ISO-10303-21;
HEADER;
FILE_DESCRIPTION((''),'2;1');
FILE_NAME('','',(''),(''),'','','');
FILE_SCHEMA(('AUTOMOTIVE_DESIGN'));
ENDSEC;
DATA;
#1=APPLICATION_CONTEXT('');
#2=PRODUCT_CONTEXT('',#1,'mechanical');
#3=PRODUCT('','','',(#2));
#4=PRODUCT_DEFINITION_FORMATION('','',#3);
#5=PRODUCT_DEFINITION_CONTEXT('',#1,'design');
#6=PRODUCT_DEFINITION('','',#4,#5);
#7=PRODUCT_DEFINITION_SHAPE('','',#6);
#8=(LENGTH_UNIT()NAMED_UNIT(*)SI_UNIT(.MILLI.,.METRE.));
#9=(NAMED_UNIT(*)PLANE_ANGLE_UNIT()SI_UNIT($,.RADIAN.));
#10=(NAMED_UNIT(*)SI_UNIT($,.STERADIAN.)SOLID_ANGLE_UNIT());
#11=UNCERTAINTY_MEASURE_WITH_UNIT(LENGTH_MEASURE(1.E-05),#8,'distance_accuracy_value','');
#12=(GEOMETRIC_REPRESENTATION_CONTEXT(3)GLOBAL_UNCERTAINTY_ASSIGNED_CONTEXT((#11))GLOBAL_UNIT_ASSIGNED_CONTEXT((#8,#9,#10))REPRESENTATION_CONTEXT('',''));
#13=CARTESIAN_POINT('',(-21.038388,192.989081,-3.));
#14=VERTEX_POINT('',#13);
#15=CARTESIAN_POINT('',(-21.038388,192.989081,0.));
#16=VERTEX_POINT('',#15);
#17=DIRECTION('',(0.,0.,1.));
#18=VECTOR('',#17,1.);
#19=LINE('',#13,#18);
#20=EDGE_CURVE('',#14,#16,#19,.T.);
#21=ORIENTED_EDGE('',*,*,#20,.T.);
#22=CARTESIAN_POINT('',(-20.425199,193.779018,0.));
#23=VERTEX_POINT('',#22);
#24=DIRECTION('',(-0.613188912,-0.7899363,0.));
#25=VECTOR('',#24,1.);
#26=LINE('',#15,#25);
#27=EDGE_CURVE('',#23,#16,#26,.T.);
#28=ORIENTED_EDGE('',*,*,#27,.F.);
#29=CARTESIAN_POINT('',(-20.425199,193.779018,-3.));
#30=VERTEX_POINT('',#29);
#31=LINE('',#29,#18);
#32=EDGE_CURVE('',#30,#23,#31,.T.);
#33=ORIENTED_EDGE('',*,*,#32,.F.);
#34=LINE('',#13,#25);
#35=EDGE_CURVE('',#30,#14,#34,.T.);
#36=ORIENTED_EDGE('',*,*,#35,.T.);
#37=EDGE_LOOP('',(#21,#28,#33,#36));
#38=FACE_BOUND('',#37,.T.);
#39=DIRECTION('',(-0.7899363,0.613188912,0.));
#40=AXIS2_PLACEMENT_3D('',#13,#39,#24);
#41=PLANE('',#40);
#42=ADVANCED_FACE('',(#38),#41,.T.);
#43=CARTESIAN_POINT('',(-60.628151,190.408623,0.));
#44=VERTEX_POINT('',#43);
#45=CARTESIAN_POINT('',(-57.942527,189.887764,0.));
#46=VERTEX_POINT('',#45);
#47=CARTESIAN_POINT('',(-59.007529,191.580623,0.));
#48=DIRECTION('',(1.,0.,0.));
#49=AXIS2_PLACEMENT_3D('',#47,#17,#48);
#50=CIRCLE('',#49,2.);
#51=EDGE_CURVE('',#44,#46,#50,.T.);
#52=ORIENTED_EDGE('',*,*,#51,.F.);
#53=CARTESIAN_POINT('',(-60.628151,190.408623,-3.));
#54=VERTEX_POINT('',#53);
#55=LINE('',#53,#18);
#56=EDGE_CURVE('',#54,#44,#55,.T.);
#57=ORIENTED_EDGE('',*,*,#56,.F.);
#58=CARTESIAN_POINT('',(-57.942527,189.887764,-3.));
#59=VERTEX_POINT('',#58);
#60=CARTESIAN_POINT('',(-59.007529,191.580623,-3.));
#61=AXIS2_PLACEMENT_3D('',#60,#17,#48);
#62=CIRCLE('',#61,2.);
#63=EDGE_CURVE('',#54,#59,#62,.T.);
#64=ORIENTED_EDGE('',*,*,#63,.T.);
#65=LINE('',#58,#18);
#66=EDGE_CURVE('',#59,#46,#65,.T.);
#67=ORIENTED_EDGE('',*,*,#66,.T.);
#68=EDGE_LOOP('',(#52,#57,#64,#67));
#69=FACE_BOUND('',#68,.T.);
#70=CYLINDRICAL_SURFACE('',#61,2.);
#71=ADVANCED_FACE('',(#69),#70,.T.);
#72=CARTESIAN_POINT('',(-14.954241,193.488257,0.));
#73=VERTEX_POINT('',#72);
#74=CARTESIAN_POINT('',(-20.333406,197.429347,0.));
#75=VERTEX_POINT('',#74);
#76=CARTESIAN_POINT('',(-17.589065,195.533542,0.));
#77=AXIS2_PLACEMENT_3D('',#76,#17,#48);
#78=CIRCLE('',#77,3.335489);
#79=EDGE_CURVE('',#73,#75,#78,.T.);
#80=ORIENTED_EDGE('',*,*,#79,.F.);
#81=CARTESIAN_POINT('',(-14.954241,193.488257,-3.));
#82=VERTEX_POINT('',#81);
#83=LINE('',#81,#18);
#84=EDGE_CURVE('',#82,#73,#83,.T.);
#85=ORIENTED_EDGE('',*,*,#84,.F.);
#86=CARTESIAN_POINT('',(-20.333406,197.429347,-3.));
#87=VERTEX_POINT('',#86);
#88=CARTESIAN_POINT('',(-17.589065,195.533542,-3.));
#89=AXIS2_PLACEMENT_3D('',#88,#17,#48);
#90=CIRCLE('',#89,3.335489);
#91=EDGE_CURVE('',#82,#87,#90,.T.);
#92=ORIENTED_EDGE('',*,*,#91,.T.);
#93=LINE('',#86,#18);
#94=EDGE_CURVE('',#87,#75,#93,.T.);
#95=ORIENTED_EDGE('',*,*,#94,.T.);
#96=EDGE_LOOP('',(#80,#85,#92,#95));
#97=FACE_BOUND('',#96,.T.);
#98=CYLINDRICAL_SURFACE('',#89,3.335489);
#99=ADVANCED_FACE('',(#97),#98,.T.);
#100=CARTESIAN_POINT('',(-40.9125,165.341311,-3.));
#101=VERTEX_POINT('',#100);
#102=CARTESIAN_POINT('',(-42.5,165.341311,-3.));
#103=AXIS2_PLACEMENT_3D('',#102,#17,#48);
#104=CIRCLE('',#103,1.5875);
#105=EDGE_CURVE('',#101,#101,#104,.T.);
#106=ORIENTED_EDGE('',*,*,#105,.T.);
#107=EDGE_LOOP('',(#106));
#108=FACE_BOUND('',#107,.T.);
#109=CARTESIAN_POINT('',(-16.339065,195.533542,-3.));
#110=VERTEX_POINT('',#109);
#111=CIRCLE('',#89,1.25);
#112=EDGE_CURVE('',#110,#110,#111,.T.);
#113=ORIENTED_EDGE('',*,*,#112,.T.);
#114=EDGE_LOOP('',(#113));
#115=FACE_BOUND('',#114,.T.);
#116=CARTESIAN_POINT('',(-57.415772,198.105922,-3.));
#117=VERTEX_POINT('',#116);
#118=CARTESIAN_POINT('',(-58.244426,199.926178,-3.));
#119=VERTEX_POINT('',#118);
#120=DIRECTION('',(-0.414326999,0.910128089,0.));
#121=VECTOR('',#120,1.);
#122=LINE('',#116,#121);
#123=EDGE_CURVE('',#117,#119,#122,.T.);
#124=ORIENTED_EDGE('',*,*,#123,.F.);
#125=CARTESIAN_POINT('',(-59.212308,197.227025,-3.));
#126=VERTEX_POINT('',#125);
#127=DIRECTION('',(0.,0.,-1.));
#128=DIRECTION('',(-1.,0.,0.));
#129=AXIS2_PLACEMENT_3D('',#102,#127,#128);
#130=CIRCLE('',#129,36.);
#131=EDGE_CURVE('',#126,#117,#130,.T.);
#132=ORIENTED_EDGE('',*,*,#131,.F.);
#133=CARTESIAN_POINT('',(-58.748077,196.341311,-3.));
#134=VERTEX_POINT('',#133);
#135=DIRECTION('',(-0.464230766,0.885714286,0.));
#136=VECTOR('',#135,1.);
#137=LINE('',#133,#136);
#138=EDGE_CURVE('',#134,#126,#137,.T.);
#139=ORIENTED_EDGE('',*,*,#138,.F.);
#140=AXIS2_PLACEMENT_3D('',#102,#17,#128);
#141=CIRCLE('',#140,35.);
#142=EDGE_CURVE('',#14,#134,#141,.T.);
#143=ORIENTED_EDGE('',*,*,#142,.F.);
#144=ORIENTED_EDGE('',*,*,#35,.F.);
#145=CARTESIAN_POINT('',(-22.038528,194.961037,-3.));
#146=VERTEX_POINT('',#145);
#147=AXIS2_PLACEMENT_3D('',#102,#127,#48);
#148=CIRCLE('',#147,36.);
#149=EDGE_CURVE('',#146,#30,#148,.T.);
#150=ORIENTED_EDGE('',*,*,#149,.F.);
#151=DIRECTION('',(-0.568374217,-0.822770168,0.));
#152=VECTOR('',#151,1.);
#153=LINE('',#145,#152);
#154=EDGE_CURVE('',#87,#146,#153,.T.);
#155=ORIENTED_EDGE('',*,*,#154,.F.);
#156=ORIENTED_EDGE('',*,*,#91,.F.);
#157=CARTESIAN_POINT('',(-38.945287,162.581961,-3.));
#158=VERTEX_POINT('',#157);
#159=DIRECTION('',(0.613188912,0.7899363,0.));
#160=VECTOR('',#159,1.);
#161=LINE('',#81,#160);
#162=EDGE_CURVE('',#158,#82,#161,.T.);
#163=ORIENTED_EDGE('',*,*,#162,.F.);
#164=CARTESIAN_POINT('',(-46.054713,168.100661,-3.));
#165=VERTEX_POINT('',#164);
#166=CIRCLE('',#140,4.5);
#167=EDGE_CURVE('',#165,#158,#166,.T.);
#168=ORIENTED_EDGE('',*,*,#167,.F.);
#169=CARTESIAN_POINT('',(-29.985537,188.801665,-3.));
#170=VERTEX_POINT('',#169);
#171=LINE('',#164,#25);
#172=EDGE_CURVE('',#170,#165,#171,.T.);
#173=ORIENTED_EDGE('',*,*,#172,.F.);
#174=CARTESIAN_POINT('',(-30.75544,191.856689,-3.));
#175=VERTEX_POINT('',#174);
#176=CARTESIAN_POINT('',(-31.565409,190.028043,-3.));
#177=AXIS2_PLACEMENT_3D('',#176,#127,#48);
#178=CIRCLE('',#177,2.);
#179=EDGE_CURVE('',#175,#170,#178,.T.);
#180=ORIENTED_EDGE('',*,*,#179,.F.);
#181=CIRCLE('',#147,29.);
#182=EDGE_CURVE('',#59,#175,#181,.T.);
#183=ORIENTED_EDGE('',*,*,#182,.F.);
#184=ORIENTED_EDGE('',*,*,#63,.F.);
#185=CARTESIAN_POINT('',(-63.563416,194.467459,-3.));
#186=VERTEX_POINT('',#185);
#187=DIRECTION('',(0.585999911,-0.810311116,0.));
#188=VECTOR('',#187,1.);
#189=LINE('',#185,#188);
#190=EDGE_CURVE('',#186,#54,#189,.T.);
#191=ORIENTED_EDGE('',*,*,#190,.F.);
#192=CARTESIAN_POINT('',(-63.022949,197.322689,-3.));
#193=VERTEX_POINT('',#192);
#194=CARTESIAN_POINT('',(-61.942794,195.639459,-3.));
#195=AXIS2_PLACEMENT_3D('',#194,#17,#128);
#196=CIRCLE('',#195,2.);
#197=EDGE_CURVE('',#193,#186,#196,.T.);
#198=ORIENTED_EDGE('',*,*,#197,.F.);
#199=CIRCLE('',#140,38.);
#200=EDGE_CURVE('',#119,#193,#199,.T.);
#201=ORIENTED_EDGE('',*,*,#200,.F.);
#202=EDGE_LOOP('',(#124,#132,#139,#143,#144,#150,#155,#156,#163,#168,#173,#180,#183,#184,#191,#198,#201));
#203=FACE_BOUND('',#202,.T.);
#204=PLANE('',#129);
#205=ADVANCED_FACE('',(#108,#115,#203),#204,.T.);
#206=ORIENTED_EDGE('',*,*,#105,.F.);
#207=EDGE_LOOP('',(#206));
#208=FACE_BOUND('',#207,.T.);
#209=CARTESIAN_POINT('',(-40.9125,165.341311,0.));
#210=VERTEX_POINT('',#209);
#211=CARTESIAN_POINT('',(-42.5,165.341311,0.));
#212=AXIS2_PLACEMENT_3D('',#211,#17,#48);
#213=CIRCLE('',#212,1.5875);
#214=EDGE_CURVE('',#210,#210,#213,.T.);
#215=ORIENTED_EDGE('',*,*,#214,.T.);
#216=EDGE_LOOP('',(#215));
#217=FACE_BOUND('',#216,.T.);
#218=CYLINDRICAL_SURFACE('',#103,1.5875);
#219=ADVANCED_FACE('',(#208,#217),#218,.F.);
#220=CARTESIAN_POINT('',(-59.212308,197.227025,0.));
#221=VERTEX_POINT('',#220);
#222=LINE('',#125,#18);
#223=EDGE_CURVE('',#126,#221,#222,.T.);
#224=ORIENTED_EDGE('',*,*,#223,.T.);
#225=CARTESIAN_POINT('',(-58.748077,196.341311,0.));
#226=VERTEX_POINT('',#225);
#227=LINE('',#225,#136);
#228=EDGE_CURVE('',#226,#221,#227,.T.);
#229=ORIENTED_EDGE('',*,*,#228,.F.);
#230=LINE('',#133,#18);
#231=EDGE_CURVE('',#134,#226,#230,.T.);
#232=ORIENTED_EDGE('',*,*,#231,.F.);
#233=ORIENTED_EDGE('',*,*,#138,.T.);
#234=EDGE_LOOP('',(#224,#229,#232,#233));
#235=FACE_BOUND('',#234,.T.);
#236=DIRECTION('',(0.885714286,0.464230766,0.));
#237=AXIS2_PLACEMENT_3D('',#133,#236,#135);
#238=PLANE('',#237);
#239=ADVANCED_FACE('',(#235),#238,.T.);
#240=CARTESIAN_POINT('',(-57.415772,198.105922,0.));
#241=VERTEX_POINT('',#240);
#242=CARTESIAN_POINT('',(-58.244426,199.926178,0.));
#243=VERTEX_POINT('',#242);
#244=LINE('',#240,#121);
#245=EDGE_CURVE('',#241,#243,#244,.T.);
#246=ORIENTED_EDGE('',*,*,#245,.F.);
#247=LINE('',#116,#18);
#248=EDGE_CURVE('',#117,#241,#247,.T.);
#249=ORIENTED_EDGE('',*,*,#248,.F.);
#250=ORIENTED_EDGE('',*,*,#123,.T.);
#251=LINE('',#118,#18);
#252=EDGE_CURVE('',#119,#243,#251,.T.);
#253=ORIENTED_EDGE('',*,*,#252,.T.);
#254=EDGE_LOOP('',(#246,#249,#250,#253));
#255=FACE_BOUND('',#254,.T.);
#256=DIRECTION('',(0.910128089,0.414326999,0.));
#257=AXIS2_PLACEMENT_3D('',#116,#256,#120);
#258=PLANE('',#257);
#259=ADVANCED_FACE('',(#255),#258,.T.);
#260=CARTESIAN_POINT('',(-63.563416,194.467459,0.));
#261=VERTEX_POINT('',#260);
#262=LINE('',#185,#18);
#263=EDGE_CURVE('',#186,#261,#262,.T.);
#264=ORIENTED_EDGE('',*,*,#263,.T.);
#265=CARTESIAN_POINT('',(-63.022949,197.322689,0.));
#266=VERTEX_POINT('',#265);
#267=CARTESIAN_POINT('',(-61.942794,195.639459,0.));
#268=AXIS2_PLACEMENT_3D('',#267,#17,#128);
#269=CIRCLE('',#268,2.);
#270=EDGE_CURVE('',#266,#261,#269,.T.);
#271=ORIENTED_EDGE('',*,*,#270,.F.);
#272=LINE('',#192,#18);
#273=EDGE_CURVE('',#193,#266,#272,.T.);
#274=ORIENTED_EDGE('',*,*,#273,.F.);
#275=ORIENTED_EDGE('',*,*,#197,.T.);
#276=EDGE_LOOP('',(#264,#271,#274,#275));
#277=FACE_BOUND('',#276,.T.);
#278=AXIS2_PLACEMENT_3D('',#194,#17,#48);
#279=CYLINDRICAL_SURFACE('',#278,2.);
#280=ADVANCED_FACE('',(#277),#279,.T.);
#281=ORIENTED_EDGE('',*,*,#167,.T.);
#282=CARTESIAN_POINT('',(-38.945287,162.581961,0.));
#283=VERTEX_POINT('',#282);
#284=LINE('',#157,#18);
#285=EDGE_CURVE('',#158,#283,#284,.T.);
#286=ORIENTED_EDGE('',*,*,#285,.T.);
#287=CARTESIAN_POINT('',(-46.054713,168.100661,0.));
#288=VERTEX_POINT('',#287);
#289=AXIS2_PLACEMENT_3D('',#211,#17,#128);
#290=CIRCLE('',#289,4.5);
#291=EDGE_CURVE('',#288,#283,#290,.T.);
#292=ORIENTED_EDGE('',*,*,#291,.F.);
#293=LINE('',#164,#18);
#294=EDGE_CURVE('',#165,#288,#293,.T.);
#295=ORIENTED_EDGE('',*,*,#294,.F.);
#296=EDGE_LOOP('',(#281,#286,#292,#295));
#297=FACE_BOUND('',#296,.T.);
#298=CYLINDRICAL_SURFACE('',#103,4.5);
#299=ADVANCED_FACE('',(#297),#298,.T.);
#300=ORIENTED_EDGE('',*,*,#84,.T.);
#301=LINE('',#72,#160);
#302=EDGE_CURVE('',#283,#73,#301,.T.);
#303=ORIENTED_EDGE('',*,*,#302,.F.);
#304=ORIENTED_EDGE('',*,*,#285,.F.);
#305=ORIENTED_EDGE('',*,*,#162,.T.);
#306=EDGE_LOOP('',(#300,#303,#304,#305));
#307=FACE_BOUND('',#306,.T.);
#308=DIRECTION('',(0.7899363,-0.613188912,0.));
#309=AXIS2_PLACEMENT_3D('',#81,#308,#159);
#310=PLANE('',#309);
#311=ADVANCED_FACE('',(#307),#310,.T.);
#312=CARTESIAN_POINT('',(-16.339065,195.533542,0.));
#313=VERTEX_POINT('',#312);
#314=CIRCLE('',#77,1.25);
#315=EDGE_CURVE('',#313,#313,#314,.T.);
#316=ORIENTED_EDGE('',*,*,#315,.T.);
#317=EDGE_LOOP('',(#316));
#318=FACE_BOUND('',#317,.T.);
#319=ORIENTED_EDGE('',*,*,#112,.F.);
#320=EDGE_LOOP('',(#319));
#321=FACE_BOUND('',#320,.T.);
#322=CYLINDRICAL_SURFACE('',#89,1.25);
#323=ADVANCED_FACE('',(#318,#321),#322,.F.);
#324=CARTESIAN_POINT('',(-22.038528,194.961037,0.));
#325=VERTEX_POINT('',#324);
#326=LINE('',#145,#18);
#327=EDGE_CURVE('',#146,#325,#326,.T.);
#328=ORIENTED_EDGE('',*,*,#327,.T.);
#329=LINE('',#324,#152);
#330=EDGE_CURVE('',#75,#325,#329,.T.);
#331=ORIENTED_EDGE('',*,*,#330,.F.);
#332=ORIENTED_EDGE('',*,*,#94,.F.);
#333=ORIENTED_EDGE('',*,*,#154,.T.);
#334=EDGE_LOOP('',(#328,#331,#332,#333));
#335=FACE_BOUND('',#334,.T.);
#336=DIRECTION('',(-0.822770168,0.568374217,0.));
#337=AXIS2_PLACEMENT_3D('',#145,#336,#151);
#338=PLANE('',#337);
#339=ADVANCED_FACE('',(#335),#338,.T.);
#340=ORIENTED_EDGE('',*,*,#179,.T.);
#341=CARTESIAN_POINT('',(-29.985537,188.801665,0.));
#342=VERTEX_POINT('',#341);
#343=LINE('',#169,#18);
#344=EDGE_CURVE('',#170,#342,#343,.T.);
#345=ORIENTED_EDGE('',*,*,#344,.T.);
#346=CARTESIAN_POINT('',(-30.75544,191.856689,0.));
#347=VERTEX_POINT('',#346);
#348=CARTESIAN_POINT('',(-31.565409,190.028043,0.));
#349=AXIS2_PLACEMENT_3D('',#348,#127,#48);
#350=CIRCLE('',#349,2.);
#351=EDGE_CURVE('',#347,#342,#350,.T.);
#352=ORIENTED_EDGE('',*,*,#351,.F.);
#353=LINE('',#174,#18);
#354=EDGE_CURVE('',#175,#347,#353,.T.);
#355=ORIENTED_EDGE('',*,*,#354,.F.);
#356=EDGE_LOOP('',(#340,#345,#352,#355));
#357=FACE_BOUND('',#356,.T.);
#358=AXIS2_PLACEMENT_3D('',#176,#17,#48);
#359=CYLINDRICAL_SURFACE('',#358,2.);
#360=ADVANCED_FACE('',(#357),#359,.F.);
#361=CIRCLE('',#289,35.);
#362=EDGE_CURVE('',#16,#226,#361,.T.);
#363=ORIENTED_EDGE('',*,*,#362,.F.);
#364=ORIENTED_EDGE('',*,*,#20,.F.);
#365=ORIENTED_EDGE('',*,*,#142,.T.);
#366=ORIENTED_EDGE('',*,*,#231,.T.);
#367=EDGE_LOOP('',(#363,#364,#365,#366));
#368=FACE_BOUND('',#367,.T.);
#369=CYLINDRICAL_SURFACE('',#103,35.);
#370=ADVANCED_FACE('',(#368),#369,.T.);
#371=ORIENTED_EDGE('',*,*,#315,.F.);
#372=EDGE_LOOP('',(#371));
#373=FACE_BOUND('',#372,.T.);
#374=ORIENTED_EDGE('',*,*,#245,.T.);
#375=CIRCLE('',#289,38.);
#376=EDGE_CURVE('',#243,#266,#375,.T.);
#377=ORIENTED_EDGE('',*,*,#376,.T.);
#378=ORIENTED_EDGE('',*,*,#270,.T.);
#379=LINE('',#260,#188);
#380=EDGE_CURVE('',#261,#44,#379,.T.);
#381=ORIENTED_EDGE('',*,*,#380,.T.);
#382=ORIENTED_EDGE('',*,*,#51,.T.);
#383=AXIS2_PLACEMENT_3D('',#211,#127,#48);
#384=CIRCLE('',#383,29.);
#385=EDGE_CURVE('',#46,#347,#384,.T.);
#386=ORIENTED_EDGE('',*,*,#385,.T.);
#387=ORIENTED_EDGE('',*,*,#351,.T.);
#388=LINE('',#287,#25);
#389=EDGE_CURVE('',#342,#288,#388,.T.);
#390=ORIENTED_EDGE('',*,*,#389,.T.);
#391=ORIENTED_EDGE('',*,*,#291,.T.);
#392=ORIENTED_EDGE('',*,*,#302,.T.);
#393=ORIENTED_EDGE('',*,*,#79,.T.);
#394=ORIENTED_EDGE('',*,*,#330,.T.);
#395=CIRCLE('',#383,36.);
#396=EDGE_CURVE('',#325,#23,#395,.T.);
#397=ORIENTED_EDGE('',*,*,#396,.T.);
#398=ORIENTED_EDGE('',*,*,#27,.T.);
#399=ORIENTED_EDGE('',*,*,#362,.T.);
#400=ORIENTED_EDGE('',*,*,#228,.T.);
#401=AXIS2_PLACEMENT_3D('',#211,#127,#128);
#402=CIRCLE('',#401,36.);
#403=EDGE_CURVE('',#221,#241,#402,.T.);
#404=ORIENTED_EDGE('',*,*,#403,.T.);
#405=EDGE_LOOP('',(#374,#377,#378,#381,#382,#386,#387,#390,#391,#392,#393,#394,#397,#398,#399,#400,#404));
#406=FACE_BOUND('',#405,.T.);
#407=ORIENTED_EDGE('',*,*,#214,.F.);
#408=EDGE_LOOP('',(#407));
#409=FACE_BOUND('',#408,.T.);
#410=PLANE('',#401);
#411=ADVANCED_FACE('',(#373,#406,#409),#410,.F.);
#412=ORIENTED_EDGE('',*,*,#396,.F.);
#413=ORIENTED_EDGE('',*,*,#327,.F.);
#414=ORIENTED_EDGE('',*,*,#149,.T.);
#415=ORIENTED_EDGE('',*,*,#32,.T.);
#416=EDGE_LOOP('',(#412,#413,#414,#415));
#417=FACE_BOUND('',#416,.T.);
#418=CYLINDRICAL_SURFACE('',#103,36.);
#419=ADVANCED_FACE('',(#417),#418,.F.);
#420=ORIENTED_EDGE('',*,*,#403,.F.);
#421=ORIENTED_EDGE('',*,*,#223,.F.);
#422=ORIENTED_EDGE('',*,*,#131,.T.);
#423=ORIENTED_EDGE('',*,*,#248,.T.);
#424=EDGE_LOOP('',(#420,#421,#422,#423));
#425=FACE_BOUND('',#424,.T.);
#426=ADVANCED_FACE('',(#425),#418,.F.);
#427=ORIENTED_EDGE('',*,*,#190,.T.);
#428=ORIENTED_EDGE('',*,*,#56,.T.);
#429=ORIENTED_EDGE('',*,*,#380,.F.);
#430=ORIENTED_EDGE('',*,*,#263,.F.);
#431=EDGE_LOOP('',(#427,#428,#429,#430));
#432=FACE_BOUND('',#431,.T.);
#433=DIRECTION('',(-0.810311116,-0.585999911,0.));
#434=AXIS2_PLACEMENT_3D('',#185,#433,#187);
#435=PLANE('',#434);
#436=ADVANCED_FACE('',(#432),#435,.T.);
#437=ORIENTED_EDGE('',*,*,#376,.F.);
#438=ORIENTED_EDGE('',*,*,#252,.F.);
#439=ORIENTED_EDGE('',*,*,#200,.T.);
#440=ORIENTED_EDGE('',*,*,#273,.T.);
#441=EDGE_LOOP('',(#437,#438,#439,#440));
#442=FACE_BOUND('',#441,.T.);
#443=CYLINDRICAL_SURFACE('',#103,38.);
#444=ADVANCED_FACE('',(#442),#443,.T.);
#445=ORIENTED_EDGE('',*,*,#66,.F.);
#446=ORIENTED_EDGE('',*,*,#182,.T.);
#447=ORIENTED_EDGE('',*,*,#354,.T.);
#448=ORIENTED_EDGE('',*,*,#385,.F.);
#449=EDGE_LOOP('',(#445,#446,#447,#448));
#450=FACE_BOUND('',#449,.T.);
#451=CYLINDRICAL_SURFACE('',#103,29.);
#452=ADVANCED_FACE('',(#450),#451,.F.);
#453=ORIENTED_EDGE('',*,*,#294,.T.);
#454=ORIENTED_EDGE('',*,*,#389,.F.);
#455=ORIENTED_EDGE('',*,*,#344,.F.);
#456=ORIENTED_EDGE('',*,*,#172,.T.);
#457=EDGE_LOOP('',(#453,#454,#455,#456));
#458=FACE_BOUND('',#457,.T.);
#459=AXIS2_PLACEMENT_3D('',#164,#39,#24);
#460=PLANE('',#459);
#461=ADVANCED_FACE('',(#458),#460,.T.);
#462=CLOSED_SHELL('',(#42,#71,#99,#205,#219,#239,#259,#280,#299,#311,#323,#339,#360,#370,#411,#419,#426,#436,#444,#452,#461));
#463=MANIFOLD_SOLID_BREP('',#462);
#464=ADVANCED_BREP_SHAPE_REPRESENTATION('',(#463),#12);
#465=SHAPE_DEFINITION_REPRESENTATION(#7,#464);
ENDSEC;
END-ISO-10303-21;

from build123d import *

# Parameters (mm, degrees)
SKETCH1_R           = 1.5875
SKETCH1_R_2         = 1.25
BOSS_EXTRUDE1_DEPTH = 3


with BuildPart() as part:
    # Sketch1 → Boss-Extrude1 (new body)
    with BuildSketch(Plane.XY):
        with BuildLine():
            Line((-14.954240874, 193.488256671), (-38.94528665, 162.581960817))
            ThreePointArc((-38.94528665, 162.581960817), (-45.259350105, 161.786597572), (-46.05471335, 168.100661026))
            Line((-46.05471335, 168.100661026), (-29.985536617, 188.801664845))
            ThreePointArc((-29.985536617, 188.801664845), (-29.626045817, 190.516785549), (-30.755439529, 191.856689466))
            ThreePointArc((-30.755439529, 191.856689466), (-44.594733066, 194.265558421), (-57.942527266, 189.887763856))
            ThreePointArc((-57.942527266, 189.887763856), (-59.388320452, 189.617207801), (-60.628151377, 190.408622856))
            Line((-60.628151377, 190.408622856), (-63.563416093, 194.467459011))
            ThreePointArc((-63.563416093, 194.467459011), (-63.907898099, 196.011433745), (-63.022949076, 197.322689273))
            ThreePointArc((-63.022949076, 197.322689273), (-60.680350979, 198.710081326), (-58.244425957, 199.926178296))
            Line((-58.244425957, 199.926178296), (-57.415771959, 198.105922118))
            ThreePointArc((-57.415771959, 198.105922118), (-58.320144396, 197.678952012), (-59.212307575, 197.227025207))
            Line((-59.212307575, 197.227025207), (-58.748076809, 196.341310922))
            ThreePointArc((-58.748076809, 196.341310922), (-39.400871452, 200.203832377), (-21.038388075, 192.989081421))
            Line((-21.038388075, 192.989081421), (-20.425199163, 193.779017721))
            ThreePointArc((-20.425199163, 193.779017721), (-21.223653619, 194.381233178), (-22.038528177, 194.961036964))
            Line((-22.038528177, 194.961036964), (-20.333405525, 197.429347468))
            ThreePointArc((-20.333405525, 197.429347468), (-15.617758617, 198.224162104), (-14.954240874, 193.488256671))
        make_face()
        with Locations((-42.5, 165.341310922)):
            Circle(SKETCH1_R, mode=Mode.SUBTRACT)
        with Locations((-17.589064697, 195.53354153)):
            Circle(SKETCH1_R_2, mode=Mode.SUBTRACT)
    extrude(amount=-BOSS_EXTRUDE1_DEPTH)


solid = part.part
